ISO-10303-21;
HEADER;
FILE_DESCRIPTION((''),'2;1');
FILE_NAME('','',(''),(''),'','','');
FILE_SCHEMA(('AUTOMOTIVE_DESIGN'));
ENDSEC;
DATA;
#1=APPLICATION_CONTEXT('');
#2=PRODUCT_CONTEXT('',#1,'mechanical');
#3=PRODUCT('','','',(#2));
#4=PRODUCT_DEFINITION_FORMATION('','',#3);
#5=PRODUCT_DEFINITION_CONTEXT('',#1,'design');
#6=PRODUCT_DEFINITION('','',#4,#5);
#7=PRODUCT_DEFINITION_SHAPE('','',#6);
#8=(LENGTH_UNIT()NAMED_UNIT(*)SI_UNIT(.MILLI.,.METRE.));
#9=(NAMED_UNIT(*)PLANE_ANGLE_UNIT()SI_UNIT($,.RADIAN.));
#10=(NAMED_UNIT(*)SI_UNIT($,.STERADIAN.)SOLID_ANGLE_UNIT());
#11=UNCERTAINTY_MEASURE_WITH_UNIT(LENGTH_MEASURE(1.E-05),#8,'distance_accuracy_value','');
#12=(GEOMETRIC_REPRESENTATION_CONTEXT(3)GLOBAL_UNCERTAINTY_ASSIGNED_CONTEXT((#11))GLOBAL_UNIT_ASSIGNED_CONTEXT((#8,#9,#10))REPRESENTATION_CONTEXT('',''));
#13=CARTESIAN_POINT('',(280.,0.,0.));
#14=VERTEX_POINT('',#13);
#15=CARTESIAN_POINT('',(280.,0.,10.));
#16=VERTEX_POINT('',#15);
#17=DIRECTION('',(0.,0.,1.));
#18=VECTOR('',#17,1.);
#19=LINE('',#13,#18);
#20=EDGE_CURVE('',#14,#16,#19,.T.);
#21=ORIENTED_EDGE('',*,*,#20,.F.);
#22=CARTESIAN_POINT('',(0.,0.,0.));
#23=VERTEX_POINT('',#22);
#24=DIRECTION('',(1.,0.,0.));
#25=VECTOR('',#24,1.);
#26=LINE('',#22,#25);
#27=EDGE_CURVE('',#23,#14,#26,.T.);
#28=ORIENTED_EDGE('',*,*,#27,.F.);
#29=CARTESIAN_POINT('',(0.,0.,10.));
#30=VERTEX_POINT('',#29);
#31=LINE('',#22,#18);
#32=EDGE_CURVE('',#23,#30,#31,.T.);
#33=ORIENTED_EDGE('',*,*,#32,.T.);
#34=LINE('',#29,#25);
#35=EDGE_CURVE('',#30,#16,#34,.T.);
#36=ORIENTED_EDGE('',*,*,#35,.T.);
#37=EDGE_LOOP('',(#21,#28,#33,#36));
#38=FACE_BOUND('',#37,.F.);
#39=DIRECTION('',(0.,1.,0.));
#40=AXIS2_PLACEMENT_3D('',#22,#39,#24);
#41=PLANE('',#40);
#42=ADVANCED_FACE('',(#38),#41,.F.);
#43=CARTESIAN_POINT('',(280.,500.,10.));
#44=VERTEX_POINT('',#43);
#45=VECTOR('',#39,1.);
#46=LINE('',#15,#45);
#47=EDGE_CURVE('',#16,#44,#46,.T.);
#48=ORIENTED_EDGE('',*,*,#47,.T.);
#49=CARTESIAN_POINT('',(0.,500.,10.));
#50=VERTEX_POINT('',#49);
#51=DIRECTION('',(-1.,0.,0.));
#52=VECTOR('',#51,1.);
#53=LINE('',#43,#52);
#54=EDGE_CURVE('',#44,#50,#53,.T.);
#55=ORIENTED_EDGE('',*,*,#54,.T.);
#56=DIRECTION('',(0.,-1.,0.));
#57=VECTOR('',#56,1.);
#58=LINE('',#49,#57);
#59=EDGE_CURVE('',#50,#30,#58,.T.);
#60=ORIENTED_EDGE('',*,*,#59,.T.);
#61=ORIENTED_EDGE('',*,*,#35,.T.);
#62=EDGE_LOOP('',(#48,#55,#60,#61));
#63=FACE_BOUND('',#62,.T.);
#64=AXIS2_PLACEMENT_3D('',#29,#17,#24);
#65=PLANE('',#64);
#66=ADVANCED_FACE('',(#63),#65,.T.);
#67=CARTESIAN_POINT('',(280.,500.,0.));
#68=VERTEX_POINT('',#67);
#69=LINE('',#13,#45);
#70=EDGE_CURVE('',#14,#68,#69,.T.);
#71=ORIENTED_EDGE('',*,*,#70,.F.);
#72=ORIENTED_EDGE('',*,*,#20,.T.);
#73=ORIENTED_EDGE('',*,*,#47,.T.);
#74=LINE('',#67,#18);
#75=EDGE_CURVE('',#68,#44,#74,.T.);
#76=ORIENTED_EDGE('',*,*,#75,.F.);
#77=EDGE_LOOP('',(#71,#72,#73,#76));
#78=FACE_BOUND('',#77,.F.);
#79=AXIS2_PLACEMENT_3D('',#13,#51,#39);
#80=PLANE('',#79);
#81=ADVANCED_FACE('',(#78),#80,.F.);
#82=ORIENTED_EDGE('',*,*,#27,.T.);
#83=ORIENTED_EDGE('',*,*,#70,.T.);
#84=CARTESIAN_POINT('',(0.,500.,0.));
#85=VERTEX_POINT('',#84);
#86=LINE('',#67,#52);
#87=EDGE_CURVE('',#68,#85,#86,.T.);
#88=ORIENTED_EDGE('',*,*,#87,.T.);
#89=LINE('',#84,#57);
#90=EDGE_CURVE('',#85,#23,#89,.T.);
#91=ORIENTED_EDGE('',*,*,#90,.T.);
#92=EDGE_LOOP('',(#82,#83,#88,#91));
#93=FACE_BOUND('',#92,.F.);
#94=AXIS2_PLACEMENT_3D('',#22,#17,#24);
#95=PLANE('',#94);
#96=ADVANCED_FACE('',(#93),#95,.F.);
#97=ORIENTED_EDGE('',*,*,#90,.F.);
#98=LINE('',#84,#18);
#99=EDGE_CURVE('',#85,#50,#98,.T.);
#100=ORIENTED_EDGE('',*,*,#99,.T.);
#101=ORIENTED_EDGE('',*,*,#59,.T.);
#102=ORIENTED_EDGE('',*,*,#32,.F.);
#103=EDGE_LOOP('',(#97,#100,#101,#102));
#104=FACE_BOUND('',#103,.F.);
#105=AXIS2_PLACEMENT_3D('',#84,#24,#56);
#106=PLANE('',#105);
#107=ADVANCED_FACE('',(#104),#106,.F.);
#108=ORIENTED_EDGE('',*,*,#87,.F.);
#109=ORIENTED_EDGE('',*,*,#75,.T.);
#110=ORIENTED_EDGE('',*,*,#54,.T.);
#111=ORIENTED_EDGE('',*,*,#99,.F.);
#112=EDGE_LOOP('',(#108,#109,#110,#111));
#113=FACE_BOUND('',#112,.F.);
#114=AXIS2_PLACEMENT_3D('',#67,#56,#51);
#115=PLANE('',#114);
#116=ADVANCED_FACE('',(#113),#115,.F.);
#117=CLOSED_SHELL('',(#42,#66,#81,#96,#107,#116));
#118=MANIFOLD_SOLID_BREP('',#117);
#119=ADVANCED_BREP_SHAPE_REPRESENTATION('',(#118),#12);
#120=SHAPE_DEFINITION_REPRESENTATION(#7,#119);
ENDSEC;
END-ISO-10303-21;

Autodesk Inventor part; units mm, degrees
ref_plane "YZ Plane" through (0, 0, 0) normal (1, 0, 0) x (0, 1, 0)
ref_plane "XZ Plane" through (0, 0, 0) normal (0, 1, 0) x (-1, 0, 0)
ref_plane "XY Plane" through (0, 0, 0) normal (0, 0, 1) x (1, 0, 0)
sketch "스케치1" plane through (0, 0, 0) normal (0, 0, 1) x (1, 0, 0)
  line L0 (0, 0) -> (280, 0)
  line L1 (280, 0) -> (280, 500)
  line L2 (280, 500) -> (0, 500)
  line L3 (0, 500) -> (0, 0)
  dimension "d0" = 280
  dimension "d1" = 500
extrude "돌출1" add sketch "스케치1" along normal blind 10
sketch "스케치3" plane through (0, 0, 10) normal (0, 0, 1) x (1, 0, 0)
  line L0 (0, 500) -> (0, 0) projected
  line L1 (0, 500) -> (281.9385, 500) construction
  line L2 (281.9385, 500) -> (281.9385, 9.7636) construction
  line L3 (281.9385, 9.7636) -> (0, 9.7636) construction
  line L4 (0, 9.7636) -> (0, 500) construction
properties part number "부품1"
